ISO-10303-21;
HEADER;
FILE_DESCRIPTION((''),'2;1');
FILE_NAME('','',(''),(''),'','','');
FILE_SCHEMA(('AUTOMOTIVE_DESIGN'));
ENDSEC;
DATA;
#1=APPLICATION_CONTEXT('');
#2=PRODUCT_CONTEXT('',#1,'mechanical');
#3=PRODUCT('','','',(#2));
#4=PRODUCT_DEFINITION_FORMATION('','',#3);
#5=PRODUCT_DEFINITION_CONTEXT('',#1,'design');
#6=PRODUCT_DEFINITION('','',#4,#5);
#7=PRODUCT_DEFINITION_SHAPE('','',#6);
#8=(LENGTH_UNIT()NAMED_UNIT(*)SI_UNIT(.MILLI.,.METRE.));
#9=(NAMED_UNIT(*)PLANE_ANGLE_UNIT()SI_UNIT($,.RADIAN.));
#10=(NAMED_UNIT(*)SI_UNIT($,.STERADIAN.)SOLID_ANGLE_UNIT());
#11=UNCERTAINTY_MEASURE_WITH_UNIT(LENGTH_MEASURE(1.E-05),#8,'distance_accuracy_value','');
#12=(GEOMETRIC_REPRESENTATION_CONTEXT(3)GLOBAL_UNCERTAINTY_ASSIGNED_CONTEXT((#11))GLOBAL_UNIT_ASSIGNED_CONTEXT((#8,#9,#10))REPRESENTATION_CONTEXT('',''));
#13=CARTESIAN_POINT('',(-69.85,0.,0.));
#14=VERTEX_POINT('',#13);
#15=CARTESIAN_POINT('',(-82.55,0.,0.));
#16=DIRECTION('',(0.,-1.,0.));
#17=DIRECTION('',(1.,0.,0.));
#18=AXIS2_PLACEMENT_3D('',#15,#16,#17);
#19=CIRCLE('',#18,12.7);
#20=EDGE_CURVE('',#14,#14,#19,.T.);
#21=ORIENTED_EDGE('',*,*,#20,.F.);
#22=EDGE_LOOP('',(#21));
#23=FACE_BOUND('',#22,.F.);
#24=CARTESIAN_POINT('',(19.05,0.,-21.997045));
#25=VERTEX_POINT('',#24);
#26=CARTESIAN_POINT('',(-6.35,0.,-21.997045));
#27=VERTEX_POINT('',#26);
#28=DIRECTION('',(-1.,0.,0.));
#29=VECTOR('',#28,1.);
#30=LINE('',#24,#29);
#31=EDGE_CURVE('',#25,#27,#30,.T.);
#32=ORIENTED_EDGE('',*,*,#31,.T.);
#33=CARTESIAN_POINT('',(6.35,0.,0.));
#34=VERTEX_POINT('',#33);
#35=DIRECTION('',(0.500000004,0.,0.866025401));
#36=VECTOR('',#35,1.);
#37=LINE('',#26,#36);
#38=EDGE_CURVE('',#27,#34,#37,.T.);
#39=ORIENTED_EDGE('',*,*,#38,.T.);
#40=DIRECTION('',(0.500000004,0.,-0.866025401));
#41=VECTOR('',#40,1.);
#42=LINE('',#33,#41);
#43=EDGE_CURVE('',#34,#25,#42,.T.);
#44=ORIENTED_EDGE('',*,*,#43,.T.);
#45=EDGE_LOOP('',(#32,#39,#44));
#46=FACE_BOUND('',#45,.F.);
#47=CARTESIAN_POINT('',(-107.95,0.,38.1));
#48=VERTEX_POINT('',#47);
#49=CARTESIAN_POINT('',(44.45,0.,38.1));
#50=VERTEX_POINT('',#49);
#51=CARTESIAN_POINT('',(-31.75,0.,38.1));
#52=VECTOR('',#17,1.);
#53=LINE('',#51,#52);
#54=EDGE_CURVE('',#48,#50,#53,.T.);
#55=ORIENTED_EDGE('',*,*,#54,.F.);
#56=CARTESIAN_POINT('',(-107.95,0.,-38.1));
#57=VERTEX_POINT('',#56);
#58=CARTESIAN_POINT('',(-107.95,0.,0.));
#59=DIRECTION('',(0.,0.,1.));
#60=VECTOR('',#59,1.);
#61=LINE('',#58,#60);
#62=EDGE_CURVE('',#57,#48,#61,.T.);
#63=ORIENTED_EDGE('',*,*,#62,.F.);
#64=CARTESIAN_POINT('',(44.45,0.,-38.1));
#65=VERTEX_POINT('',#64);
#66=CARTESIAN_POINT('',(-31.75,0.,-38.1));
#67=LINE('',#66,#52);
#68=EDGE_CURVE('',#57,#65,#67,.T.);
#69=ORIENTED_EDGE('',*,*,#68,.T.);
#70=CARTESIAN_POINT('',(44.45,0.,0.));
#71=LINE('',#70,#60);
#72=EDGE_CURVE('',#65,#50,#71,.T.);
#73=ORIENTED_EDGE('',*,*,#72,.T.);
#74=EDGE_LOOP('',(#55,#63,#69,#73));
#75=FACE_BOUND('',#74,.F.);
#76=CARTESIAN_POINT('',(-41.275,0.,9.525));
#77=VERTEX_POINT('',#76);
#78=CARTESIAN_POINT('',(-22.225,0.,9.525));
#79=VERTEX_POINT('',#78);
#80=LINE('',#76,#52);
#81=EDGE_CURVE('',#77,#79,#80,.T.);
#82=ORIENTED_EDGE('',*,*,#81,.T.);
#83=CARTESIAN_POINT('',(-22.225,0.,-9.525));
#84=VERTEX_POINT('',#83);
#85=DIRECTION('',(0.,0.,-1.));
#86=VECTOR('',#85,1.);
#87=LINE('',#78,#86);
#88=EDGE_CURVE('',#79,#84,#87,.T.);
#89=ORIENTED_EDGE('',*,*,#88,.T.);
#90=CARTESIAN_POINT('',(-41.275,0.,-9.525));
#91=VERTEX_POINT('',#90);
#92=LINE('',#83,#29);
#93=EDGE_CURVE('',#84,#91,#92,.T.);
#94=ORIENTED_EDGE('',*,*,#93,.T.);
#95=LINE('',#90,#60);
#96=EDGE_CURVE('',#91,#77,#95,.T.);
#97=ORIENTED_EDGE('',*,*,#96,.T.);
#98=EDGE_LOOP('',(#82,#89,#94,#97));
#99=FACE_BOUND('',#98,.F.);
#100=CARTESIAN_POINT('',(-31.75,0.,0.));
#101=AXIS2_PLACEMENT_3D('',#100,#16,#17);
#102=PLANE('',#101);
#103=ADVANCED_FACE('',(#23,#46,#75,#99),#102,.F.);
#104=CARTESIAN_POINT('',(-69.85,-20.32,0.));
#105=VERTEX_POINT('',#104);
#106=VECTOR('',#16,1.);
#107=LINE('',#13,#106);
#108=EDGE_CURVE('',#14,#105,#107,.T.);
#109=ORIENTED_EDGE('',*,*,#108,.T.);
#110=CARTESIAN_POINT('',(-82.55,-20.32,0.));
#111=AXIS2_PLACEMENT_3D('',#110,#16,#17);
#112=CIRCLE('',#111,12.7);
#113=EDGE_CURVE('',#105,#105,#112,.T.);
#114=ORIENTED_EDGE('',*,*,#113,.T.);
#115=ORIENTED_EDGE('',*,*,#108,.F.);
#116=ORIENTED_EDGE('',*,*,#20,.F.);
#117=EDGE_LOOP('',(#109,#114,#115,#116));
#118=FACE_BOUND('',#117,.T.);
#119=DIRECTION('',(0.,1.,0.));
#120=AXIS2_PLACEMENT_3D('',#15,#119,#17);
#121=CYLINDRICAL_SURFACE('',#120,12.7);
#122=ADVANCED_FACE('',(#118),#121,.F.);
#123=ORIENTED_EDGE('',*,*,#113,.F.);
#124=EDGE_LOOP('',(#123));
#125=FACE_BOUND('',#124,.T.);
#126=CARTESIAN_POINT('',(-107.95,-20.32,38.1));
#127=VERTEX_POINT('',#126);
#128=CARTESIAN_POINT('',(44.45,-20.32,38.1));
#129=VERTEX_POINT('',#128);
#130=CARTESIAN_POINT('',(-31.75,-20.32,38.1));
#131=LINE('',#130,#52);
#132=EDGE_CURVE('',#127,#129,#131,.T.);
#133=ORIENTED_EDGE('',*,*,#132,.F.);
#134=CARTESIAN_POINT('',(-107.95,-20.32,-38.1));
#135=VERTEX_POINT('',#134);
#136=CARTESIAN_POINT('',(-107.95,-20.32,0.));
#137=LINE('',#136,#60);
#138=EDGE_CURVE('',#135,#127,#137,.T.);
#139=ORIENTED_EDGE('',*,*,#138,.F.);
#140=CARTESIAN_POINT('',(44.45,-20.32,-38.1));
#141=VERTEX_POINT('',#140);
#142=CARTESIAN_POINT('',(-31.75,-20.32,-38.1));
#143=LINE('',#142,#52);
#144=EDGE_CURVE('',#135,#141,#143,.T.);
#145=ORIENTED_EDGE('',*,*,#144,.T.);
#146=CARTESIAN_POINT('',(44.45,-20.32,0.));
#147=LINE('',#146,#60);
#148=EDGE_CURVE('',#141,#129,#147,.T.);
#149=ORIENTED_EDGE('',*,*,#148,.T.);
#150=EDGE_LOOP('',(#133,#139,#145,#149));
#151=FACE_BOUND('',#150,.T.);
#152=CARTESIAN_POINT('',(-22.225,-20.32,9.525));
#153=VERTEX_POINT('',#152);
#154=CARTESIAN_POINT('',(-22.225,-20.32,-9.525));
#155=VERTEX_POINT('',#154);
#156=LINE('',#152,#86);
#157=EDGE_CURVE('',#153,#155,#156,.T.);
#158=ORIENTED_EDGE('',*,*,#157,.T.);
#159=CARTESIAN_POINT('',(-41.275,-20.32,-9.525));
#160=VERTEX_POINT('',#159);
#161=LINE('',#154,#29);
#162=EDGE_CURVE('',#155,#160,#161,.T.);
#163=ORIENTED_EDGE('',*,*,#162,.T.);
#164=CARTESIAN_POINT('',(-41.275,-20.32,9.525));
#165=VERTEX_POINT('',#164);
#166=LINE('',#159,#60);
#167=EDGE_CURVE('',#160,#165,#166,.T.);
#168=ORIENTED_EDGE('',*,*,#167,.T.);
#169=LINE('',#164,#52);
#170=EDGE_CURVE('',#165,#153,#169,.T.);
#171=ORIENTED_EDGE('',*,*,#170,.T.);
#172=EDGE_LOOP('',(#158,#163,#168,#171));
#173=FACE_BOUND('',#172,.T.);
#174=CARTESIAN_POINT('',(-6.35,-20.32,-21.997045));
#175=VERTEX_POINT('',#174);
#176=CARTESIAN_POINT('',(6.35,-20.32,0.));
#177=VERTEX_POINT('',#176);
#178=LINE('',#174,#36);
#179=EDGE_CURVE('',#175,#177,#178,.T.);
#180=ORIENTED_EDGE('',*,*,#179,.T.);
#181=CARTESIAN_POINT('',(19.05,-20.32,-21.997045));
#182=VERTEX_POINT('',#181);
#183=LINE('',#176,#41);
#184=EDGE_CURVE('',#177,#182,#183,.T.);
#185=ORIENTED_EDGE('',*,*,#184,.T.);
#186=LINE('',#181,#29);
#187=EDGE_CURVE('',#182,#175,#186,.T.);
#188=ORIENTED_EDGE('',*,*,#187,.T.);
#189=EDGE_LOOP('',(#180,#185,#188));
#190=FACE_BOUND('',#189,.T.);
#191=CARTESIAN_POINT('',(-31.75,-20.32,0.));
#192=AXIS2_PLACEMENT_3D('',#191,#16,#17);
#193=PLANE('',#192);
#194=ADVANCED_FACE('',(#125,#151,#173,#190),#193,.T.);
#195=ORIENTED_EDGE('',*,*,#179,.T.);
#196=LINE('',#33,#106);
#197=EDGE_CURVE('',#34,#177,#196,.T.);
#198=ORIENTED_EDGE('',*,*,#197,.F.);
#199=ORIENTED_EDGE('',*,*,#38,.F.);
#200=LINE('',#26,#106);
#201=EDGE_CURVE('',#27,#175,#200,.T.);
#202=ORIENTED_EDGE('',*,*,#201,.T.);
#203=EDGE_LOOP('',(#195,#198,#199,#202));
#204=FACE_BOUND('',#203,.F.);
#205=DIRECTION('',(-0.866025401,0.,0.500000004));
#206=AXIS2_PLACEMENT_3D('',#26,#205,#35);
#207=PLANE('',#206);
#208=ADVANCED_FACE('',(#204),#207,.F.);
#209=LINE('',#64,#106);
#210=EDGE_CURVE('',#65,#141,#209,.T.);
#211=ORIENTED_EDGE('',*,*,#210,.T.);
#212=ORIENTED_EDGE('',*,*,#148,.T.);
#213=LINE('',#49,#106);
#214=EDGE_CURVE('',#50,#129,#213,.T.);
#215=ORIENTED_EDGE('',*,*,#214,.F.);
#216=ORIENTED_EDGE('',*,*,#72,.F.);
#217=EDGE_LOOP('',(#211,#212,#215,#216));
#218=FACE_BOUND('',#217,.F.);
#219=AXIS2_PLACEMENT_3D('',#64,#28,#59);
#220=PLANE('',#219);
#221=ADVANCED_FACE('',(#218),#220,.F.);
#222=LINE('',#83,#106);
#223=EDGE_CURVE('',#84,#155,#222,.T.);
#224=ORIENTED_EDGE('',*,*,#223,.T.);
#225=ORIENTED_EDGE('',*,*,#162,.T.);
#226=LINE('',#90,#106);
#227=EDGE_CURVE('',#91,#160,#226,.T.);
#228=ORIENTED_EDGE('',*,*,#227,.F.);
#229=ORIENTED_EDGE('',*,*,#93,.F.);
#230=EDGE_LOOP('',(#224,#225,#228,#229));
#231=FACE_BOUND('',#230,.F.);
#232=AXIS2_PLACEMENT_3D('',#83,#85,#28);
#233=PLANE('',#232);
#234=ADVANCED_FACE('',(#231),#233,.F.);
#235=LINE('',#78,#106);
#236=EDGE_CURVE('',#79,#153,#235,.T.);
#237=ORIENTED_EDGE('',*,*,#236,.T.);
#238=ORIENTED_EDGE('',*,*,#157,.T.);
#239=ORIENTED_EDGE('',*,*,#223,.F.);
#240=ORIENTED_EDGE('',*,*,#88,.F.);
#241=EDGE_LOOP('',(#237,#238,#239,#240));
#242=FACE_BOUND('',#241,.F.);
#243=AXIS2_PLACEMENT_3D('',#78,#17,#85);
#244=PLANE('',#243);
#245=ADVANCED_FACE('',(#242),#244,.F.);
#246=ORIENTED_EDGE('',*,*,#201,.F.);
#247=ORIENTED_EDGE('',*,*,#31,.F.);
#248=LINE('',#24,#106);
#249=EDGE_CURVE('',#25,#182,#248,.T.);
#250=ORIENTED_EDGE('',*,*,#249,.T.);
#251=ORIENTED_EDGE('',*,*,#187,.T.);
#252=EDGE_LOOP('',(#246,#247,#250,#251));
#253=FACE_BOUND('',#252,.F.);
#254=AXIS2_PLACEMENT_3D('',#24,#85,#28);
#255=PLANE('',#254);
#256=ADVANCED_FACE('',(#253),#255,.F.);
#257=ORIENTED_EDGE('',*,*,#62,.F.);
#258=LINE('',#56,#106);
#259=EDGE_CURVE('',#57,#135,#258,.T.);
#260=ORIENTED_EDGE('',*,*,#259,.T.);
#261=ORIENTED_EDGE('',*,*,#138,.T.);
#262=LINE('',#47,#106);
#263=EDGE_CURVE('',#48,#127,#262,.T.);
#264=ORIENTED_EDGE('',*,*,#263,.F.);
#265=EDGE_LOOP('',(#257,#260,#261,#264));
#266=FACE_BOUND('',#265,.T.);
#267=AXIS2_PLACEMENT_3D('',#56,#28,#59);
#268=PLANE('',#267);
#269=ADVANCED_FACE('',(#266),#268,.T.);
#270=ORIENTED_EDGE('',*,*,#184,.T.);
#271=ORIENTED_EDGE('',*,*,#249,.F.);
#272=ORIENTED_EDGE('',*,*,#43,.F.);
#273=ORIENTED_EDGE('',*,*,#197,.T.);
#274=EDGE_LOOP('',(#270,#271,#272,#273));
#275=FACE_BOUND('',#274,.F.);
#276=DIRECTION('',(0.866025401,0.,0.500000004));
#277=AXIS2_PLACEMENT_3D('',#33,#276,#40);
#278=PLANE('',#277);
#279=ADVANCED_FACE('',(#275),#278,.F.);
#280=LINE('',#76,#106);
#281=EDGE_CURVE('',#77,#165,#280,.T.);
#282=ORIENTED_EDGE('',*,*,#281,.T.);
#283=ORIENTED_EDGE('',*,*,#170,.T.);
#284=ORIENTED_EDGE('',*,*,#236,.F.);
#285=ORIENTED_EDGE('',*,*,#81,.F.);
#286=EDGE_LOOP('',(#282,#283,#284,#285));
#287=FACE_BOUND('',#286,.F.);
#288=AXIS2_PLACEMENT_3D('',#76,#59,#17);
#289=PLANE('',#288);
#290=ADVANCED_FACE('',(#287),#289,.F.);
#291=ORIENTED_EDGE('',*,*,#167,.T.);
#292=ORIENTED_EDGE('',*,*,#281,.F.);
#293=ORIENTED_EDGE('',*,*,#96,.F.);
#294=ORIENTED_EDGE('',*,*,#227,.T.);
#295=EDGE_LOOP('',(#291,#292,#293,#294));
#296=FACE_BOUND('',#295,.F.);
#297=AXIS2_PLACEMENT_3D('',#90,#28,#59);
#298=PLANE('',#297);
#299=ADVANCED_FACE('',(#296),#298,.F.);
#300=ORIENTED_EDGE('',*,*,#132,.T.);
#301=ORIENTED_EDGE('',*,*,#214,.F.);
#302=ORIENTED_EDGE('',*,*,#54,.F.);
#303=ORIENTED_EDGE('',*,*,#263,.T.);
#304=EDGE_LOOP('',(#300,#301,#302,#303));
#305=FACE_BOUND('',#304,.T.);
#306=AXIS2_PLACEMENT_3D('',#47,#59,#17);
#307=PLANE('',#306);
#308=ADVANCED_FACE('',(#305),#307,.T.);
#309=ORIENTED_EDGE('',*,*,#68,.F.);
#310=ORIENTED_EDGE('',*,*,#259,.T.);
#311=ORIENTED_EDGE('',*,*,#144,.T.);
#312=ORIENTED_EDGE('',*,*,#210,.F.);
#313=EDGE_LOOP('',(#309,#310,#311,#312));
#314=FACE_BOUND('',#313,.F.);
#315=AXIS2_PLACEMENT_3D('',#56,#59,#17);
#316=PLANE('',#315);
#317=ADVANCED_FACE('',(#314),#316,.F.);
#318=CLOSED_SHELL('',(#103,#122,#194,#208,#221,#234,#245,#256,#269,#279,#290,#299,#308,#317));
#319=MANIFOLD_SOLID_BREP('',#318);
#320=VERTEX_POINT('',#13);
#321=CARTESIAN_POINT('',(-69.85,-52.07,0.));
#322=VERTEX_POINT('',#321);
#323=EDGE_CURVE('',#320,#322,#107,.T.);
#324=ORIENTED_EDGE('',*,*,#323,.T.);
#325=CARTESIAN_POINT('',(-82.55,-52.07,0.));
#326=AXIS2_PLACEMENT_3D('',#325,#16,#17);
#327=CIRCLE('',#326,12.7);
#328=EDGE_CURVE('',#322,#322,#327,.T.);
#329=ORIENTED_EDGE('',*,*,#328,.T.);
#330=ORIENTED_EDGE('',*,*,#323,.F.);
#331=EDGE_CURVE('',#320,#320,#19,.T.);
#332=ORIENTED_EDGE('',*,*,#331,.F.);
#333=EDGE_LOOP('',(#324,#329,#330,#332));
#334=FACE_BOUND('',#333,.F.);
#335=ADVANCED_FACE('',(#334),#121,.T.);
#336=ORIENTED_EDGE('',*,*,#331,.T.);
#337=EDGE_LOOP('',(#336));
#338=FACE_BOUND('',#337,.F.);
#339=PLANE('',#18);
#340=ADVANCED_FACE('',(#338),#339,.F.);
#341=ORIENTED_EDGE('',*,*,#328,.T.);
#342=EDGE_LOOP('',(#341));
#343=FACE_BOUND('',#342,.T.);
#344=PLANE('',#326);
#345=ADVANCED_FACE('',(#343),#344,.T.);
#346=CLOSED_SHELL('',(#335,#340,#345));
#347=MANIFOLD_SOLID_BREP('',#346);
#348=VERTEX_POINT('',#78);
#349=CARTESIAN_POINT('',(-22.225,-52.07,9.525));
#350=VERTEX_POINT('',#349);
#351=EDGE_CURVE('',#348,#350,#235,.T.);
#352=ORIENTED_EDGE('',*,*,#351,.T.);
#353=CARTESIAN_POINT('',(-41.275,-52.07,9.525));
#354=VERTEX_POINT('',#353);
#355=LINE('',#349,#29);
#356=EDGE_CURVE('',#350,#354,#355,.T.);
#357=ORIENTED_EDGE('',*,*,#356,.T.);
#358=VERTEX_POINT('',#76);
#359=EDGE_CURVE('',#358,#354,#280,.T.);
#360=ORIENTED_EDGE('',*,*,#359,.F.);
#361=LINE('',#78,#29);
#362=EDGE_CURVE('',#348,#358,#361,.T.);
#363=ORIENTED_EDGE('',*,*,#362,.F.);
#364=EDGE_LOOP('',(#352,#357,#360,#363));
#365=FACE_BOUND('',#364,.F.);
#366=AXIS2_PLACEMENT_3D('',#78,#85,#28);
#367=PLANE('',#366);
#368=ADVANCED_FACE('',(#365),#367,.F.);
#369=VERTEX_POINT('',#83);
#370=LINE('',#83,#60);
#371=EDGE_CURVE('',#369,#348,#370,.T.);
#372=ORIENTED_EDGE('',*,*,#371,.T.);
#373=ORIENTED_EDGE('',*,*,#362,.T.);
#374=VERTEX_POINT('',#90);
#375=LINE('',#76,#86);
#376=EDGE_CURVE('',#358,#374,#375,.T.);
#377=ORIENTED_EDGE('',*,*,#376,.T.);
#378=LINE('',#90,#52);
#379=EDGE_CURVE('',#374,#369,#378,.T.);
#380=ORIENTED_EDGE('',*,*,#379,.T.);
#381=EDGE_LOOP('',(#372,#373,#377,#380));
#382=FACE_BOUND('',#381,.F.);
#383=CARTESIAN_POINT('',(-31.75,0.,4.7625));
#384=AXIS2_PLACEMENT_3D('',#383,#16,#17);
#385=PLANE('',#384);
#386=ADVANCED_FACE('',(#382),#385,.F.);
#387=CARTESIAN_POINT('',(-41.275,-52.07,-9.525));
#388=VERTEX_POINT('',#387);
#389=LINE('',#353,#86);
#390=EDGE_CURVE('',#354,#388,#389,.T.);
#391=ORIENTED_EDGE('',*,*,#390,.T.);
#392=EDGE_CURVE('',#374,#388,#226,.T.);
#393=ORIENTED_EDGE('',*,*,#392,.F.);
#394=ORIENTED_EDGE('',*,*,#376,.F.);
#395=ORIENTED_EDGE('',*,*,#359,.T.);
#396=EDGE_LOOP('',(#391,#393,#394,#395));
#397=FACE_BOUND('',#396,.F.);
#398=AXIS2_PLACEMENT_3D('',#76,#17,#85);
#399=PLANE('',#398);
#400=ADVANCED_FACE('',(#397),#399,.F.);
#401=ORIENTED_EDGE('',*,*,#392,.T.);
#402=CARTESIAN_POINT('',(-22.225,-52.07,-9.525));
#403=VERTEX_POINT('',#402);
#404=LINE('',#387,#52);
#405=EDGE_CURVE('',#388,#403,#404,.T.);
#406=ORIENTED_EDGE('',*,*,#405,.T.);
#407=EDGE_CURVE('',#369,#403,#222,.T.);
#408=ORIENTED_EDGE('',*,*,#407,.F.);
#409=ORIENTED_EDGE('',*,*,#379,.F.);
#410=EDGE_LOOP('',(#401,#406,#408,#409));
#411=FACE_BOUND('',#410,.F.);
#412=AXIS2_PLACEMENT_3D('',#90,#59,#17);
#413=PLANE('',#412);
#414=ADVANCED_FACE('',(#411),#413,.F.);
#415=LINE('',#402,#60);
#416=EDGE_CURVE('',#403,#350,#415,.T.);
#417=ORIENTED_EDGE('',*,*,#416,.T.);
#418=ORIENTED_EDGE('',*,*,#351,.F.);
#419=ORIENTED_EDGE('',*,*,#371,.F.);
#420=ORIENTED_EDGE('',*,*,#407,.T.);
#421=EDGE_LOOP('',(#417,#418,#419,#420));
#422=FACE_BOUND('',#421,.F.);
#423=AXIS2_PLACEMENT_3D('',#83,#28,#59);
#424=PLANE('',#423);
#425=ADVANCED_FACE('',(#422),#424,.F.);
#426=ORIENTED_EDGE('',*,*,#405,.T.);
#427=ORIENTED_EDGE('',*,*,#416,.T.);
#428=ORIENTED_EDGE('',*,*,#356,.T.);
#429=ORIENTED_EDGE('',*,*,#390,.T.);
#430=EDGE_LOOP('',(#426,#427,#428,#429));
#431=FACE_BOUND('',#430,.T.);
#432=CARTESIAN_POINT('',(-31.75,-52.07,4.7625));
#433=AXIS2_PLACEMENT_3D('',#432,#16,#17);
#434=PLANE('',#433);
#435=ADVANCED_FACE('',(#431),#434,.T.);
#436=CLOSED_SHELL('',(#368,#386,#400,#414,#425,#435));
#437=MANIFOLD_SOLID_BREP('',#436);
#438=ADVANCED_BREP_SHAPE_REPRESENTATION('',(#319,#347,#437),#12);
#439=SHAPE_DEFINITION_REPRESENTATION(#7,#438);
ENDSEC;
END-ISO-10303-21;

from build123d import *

# Parameters (mm, degrees)
F0_W     = 152.4
F0_H     = 76.2
F0_R     = 12.7
F1_DEPTH = 20.32
F2_DEPTH = 52.07


with BuildPart() as f1:
    # F0 (on Front) → F1 (new body)
    with BuildSketch(Plane.XZ):
        with Locations((-31.75, 0)):
            Rectangle(F0_W, F0_H)
        Polygon((-6.35, -21.997045), (6.35, 0), (19.05, -21.997045), align=None, mode=Mode.SUBTRACT)
        with Locations((-82.55, 0)):
            Circle(F0_R, mode=Mode.SUBTRACT)
        Polygon((-22.225, 9.525), (-22.225, 0), (-22.225, -9.525), (-41.275, -9.525), (-41.275, 0), (-41.275, 9.525), align=None, mode=Mode.SUBTRACT)
    extrude(amount=F1_DEPTH)


with BuildPart() as f2:
    # F0 (on Front) → F2 (new body)
    with BuildSketch(Plane.XZ):
        with Locations((-82.55, 0)):
            Circle(F0_R)
        Polygon((-31.75, 0), (-22.225, 0), (-22.225, 9.525), (-41.275, 9.525), (-41.275, 0), align=None)
        Polygon((-22.225, -9.525), (-22.225, 0), (-31.75, 0), (-41.275, 0), (-41.275, -9.525), align=None)
    extrude(amount=F2_DEPTH)


solid = Compound([f1.part, f2.part])
